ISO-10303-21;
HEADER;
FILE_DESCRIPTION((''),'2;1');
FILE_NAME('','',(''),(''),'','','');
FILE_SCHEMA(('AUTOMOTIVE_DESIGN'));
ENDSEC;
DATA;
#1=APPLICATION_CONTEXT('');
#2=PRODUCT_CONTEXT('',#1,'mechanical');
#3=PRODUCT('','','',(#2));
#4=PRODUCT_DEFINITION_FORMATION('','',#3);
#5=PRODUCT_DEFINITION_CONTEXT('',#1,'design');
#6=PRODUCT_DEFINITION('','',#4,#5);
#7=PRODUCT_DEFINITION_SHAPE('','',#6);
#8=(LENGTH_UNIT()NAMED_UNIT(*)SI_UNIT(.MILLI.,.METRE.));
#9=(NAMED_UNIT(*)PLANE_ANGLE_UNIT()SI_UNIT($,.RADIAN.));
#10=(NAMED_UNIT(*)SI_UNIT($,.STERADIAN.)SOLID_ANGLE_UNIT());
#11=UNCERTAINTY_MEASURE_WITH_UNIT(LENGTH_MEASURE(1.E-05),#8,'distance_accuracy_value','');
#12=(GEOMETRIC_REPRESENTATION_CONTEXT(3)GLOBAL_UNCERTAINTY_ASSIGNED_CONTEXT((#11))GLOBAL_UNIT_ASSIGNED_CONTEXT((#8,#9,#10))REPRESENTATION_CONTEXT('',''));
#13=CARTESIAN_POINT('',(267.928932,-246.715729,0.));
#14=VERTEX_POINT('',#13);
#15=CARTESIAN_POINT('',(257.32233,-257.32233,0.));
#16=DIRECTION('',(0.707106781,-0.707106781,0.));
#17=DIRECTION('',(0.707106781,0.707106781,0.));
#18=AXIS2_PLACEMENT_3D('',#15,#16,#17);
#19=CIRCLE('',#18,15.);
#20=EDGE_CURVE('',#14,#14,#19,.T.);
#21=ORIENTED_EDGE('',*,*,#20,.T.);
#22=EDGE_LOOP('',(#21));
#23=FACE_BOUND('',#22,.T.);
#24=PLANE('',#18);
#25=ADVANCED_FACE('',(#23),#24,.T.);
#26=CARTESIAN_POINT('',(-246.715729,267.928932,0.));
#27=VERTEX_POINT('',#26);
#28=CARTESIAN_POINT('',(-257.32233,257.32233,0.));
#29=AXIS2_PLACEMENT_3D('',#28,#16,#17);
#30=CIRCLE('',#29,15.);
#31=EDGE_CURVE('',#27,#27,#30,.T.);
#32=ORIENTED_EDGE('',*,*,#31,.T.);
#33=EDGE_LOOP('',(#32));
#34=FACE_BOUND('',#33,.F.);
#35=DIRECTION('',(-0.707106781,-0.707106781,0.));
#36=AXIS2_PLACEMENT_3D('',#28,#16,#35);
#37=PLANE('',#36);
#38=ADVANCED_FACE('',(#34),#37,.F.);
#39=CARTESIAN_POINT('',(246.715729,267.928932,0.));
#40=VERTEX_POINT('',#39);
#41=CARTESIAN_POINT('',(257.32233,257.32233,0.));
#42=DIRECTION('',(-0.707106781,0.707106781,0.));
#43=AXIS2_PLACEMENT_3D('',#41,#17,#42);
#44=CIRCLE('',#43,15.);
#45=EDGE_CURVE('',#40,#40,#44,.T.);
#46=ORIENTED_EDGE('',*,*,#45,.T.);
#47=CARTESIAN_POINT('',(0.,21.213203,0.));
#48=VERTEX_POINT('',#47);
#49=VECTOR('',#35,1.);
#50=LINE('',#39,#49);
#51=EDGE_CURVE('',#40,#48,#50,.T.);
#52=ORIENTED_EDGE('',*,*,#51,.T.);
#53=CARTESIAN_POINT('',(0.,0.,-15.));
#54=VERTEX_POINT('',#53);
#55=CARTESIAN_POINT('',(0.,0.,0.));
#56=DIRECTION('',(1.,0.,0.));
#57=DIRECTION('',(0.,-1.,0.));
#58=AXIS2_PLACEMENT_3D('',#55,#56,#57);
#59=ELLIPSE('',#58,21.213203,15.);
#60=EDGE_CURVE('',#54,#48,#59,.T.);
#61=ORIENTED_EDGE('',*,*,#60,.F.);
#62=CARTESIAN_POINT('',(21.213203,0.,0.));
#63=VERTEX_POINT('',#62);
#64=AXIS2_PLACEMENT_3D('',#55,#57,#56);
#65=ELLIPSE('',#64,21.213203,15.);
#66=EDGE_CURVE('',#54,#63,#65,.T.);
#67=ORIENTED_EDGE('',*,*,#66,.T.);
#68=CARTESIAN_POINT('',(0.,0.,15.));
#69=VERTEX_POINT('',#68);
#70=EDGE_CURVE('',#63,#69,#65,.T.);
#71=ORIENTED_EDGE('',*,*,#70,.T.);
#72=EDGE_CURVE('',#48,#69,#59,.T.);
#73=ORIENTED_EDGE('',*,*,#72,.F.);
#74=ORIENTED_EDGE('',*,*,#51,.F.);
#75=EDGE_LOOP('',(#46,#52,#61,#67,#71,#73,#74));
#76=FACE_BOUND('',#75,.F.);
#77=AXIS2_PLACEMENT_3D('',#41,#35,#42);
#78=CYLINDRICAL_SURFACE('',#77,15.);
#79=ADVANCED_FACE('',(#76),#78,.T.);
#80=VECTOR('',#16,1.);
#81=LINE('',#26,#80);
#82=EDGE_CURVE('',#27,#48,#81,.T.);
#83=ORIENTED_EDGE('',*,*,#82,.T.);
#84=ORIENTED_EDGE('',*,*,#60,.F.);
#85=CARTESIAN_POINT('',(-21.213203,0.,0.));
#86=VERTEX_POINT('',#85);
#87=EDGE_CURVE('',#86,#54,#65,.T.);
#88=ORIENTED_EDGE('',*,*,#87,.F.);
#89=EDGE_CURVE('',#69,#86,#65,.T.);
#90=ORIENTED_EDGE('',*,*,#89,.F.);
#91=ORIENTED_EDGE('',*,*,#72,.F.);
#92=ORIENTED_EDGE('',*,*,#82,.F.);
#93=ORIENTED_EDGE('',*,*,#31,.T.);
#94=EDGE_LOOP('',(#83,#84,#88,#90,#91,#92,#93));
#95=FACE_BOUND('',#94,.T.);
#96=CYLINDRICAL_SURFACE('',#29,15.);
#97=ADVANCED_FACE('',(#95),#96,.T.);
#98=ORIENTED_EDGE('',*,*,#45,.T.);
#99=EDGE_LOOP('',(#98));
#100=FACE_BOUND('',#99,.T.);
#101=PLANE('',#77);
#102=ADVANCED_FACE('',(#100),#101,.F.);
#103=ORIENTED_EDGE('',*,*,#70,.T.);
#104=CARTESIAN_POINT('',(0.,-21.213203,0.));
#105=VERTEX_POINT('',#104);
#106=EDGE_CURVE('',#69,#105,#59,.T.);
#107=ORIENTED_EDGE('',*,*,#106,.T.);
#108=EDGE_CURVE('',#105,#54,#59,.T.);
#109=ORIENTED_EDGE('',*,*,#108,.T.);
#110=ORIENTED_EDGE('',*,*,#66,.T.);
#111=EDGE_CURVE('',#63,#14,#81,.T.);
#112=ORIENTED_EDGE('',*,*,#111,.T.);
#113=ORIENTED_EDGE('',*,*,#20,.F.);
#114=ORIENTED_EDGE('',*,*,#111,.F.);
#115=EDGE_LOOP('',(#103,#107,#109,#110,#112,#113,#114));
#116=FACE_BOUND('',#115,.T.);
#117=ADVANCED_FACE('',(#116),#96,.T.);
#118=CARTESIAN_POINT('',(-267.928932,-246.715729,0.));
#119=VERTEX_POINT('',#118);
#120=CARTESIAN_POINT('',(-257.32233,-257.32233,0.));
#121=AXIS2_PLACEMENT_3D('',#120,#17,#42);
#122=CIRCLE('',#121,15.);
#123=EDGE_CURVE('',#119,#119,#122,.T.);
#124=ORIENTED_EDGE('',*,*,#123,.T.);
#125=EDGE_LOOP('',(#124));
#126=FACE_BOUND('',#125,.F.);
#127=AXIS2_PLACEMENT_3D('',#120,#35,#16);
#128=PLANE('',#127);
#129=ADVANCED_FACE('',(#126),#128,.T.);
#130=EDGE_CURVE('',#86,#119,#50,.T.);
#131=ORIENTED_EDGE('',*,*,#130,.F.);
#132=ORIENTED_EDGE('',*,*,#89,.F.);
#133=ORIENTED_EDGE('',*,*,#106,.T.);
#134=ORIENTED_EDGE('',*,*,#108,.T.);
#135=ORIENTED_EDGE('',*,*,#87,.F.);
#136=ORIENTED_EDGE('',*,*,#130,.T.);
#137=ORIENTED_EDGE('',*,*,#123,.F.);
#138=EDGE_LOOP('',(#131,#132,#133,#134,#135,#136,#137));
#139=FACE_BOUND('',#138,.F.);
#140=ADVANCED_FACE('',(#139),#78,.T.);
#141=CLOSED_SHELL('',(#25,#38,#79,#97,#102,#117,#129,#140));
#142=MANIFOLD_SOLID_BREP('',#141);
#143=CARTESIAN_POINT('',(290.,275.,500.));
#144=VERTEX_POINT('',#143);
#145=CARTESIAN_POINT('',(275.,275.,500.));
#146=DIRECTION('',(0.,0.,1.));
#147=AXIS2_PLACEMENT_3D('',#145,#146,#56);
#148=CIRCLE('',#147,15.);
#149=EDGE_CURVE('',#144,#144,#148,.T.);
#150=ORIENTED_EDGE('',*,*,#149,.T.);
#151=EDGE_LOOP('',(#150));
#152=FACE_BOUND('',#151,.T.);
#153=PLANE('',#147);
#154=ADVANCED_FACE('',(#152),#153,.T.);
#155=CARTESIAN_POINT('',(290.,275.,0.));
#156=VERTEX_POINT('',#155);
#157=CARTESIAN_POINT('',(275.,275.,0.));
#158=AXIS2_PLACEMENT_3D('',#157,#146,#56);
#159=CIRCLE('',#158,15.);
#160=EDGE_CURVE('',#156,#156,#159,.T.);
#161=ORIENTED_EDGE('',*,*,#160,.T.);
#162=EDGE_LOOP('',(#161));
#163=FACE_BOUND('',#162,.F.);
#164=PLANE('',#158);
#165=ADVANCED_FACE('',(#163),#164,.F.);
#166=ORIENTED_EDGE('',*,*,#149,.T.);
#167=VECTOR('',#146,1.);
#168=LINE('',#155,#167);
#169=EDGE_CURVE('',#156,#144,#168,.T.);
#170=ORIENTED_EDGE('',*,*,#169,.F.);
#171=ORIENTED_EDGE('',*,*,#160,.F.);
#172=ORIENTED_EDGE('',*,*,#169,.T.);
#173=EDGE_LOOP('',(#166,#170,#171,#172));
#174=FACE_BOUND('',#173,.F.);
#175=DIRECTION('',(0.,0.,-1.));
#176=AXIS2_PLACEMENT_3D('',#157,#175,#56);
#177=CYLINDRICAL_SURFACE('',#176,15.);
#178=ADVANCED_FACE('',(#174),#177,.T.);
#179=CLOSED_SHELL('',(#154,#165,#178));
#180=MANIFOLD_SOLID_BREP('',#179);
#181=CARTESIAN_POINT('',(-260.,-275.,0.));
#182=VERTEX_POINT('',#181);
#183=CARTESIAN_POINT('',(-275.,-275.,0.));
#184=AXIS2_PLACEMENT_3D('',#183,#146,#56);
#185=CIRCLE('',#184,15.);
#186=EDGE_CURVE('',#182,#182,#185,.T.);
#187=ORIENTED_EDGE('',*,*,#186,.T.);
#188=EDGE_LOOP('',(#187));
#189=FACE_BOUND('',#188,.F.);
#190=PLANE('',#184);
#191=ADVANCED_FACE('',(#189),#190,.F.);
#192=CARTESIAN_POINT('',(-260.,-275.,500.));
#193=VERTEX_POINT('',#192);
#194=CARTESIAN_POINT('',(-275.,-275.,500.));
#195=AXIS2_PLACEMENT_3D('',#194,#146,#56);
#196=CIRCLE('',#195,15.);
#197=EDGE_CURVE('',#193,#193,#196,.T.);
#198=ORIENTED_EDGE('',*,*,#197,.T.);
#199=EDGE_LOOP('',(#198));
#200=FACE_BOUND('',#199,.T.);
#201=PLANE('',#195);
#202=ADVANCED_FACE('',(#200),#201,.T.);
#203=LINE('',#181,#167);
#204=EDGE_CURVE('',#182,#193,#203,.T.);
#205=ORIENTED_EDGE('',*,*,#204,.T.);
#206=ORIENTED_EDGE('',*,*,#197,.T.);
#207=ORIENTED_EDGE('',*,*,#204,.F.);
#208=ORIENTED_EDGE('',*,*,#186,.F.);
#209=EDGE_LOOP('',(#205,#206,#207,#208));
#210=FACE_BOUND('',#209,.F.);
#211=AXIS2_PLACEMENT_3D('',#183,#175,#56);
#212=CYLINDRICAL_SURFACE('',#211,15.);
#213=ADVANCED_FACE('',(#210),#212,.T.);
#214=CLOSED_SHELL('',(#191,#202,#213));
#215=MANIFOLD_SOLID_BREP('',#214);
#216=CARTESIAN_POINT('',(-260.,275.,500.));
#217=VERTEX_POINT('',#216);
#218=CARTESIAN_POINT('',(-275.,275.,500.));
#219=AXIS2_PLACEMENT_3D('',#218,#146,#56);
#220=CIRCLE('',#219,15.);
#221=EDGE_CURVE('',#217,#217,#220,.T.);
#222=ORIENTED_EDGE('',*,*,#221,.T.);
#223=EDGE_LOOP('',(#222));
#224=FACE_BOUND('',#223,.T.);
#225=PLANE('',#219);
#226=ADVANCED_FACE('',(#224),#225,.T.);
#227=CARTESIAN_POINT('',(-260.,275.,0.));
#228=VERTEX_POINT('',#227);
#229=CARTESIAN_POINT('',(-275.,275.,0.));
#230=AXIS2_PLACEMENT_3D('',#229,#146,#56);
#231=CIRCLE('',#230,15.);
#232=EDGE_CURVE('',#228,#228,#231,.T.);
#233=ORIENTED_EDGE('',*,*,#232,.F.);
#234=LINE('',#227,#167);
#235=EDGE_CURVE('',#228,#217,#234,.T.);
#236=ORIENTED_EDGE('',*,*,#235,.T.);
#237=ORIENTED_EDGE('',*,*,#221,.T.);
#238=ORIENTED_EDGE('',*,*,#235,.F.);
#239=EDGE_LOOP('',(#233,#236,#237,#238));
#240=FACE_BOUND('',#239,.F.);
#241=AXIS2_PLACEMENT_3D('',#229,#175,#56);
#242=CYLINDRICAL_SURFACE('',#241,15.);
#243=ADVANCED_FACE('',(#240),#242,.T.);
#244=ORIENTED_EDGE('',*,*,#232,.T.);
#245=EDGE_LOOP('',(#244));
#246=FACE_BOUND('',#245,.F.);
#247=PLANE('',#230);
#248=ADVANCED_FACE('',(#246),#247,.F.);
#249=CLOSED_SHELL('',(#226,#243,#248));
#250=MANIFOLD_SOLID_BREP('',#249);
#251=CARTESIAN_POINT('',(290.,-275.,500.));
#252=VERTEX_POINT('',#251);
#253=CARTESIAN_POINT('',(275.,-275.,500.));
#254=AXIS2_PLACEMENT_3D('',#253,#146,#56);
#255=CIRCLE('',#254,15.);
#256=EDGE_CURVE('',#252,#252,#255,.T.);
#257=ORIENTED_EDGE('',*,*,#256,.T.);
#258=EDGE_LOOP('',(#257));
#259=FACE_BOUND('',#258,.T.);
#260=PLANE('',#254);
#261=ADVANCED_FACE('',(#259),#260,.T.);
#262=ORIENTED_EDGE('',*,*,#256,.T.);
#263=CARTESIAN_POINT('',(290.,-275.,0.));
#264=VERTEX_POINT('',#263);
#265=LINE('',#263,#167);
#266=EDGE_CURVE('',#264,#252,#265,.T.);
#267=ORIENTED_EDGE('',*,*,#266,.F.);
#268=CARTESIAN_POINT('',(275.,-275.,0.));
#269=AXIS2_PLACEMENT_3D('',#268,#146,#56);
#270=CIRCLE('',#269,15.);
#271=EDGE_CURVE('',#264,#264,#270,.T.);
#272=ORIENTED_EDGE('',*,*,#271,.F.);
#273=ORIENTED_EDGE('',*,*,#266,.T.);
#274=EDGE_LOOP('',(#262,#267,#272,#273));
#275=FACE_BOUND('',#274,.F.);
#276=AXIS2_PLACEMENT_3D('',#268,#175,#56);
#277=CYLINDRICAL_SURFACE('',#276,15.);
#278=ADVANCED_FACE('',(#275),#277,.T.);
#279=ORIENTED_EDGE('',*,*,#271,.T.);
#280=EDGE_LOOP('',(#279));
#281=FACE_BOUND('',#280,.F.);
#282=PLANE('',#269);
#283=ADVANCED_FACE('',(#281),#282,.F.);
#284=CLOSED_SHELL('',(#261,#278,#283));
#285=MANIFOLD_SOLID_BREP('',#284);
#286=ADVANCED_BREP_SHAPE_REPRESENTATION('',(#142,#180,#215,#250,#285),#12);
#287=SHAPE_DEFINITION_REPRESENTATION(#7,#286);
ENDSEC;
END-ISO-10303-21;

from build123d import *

# Parameters (mm, degrees)
F1_R     = 15
F2_DEPTH = 500
F4_R     = 15


with BuildPart() as f2:
    # F1 (on Top) → F2 (new body)
    with BuildSketch(Plane.XY):
        with Locations((-275, 275)):
            Circle(F1_R)
    extrude(amount=F2_DEPTH)


with BuildPart() as f2b:
    # F1 (on Top) → F2, piece 2 (new body)
    with BuildSketch(Plane.XY):
        with Locations((275, 275)):
            Circle(F1_R)
    extrude(amount=F2_DEPTH)


with BuildPart() as f2c:
    # F1 (on Top) → F2, piece 3 (new body)
    with BuildSketch(Plane.XY):
        with Locations((-275, -275)):
            Circle(F1_R)
    extrude(amount=F2_DEPTH)


with BuildPart() as f2d:
    # F1 (on Top) → F2, piece 4 (new body)
    with BuildSketch(Plane.XY):
        with Locations((275, -275)):
            Circle(F1_R)
    extrude(amount=F2_DEPTH)


with BuildPart() as f5:
    # F5: sweep along a path in F1
    with BuildLine(Plane.XY) as f5_path:
        Line((-257.3223304703, 257.3223304703), (257.3223304703, -257.3223304703))
    # F4 (on line) → F5 (sweep)
    with BuildSketch(Plane(origin=(-257.3223304703, 257.3223304703, 0), x_dir=(0.7071067812, 0.7071067812, 0), z_dir=(0.7071067812, -0.7071067812, 0))):
        Circle(F4_R)
    sweep(path=f5_path.line)

    # F6: F5 across plane


with BuildPart() as f5_1:
    add(f5.part)
    add(f5.part.mirror(Plane.YZ))


solid = Compound([f2.part, f2b.part, f2c.part, f2d.part, f5_1.part])
